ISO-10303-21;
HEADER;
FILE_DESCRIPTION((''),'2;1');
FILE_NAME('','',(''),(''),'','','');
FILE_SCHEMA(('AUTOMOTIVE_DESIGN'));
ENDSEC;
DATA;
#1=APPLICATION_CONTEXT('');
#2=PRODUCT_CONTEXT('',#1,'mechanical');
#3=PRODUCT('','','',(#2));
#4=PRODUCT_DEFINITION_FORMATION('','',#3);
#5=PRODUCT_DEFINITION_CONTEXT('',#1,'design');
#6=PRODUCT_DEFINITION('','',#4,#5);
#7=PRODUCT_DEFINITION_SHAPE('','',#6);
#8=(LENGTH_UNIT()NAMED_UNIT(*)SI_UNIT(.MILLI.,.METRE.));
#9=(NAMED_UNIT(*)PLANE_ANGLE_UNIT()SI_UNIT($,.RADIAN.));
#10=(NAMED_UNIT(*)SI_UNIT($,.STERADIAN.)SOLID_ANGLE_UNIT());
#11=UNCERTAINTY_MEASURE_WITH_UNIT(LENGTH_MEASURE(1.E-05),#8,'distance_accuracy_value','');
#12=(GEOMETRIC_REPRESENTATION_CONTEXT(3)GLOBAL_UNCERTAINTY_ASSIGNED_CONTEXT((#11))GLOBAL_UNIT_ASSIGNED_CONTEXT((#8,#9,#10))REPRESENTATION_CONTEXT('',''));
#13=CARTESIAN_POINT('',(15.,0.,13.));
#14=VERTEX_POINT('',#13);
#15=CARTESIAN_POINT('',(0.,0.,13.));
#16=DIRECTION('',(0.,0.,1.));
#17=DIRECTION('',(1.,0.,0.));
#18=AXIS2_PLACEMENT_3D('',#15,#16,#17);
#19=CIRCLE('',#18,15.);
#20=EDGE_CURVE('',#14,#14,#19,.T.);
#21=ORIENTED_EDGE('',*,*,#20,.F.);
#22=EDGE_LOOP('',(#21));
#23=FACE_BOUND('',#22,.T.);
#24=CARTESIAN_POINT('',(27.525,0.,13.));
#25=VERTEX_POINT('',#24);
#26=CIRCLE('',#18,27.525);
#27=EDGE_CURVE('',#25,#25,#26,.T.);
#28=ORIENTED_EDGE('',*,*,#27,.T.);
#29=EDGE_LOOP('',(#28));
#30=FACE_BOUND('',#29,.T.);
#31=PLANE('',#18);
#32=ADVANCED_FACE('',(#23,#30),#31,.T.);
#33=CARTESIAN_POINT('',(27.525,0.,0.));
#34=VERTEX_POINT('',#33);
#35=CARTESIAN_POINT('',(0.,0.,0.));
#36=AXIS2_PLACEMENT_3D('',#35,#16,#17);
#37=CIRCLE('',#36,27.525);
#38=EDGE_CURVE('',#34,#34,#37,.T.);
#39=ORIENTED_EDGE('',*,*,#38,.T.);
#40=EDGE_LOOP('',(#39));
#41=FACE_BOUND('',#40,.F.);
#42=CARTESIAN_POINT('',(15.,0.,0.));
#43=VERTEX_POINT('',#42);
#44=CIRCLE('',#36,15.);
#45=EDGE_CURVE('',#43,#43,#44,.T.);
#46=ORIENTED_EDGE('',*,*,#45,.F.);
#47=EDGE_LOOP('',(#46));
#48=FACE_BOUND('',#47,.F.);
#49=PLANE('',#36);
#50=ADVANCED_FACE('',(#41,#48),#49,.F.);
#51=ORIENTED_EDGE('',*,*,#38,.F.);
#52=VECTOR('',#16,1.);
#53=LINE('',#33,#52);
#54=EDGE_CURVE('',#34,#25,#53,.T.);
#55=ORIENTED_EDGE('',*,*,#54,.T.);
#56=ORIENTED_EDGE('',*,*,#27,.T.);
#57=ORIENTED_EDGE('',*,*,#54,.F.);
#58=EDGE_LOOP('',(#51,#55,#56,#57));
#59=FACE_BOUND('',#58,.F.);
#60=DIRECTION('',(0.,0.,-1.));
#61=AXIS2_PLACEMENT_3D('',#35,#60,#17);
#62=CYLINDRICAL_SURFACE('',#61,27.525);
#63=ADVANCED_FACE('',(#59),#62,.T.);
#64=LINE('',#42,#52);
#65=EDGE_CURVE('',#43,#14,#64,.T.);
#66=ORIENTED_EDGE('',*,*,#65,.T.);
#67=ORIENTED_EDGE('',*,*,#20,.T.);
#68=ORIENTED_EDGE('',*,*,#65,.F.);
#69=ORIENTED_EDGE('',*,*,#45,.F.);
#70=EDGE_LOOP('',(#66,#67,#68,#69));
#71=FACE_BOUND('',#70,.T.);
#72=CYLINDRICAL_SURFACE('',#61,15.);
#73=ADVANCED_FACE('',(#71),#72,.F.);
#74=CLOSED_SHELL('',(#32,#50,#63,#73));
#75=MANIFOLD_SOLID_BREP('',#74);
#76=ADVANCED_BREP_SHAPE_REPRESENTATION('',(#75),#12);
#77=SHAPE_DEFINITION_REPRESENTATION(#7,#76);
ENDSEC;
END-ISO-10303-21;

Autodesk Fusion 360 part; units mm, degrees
sketch "Esquisse1" plane through (0, 0, 0) normal (0, 0, 1) x (1, 0, 0)
  circle A0 centre (0, 0) radius 27.525
  circle A1 centre (0, 0) radius 15
  dimension "d1" = 55.05
  dimension "d2" = 30
extrude "Extrusion1" add sketch "Esquisse1" along normal blind 13
